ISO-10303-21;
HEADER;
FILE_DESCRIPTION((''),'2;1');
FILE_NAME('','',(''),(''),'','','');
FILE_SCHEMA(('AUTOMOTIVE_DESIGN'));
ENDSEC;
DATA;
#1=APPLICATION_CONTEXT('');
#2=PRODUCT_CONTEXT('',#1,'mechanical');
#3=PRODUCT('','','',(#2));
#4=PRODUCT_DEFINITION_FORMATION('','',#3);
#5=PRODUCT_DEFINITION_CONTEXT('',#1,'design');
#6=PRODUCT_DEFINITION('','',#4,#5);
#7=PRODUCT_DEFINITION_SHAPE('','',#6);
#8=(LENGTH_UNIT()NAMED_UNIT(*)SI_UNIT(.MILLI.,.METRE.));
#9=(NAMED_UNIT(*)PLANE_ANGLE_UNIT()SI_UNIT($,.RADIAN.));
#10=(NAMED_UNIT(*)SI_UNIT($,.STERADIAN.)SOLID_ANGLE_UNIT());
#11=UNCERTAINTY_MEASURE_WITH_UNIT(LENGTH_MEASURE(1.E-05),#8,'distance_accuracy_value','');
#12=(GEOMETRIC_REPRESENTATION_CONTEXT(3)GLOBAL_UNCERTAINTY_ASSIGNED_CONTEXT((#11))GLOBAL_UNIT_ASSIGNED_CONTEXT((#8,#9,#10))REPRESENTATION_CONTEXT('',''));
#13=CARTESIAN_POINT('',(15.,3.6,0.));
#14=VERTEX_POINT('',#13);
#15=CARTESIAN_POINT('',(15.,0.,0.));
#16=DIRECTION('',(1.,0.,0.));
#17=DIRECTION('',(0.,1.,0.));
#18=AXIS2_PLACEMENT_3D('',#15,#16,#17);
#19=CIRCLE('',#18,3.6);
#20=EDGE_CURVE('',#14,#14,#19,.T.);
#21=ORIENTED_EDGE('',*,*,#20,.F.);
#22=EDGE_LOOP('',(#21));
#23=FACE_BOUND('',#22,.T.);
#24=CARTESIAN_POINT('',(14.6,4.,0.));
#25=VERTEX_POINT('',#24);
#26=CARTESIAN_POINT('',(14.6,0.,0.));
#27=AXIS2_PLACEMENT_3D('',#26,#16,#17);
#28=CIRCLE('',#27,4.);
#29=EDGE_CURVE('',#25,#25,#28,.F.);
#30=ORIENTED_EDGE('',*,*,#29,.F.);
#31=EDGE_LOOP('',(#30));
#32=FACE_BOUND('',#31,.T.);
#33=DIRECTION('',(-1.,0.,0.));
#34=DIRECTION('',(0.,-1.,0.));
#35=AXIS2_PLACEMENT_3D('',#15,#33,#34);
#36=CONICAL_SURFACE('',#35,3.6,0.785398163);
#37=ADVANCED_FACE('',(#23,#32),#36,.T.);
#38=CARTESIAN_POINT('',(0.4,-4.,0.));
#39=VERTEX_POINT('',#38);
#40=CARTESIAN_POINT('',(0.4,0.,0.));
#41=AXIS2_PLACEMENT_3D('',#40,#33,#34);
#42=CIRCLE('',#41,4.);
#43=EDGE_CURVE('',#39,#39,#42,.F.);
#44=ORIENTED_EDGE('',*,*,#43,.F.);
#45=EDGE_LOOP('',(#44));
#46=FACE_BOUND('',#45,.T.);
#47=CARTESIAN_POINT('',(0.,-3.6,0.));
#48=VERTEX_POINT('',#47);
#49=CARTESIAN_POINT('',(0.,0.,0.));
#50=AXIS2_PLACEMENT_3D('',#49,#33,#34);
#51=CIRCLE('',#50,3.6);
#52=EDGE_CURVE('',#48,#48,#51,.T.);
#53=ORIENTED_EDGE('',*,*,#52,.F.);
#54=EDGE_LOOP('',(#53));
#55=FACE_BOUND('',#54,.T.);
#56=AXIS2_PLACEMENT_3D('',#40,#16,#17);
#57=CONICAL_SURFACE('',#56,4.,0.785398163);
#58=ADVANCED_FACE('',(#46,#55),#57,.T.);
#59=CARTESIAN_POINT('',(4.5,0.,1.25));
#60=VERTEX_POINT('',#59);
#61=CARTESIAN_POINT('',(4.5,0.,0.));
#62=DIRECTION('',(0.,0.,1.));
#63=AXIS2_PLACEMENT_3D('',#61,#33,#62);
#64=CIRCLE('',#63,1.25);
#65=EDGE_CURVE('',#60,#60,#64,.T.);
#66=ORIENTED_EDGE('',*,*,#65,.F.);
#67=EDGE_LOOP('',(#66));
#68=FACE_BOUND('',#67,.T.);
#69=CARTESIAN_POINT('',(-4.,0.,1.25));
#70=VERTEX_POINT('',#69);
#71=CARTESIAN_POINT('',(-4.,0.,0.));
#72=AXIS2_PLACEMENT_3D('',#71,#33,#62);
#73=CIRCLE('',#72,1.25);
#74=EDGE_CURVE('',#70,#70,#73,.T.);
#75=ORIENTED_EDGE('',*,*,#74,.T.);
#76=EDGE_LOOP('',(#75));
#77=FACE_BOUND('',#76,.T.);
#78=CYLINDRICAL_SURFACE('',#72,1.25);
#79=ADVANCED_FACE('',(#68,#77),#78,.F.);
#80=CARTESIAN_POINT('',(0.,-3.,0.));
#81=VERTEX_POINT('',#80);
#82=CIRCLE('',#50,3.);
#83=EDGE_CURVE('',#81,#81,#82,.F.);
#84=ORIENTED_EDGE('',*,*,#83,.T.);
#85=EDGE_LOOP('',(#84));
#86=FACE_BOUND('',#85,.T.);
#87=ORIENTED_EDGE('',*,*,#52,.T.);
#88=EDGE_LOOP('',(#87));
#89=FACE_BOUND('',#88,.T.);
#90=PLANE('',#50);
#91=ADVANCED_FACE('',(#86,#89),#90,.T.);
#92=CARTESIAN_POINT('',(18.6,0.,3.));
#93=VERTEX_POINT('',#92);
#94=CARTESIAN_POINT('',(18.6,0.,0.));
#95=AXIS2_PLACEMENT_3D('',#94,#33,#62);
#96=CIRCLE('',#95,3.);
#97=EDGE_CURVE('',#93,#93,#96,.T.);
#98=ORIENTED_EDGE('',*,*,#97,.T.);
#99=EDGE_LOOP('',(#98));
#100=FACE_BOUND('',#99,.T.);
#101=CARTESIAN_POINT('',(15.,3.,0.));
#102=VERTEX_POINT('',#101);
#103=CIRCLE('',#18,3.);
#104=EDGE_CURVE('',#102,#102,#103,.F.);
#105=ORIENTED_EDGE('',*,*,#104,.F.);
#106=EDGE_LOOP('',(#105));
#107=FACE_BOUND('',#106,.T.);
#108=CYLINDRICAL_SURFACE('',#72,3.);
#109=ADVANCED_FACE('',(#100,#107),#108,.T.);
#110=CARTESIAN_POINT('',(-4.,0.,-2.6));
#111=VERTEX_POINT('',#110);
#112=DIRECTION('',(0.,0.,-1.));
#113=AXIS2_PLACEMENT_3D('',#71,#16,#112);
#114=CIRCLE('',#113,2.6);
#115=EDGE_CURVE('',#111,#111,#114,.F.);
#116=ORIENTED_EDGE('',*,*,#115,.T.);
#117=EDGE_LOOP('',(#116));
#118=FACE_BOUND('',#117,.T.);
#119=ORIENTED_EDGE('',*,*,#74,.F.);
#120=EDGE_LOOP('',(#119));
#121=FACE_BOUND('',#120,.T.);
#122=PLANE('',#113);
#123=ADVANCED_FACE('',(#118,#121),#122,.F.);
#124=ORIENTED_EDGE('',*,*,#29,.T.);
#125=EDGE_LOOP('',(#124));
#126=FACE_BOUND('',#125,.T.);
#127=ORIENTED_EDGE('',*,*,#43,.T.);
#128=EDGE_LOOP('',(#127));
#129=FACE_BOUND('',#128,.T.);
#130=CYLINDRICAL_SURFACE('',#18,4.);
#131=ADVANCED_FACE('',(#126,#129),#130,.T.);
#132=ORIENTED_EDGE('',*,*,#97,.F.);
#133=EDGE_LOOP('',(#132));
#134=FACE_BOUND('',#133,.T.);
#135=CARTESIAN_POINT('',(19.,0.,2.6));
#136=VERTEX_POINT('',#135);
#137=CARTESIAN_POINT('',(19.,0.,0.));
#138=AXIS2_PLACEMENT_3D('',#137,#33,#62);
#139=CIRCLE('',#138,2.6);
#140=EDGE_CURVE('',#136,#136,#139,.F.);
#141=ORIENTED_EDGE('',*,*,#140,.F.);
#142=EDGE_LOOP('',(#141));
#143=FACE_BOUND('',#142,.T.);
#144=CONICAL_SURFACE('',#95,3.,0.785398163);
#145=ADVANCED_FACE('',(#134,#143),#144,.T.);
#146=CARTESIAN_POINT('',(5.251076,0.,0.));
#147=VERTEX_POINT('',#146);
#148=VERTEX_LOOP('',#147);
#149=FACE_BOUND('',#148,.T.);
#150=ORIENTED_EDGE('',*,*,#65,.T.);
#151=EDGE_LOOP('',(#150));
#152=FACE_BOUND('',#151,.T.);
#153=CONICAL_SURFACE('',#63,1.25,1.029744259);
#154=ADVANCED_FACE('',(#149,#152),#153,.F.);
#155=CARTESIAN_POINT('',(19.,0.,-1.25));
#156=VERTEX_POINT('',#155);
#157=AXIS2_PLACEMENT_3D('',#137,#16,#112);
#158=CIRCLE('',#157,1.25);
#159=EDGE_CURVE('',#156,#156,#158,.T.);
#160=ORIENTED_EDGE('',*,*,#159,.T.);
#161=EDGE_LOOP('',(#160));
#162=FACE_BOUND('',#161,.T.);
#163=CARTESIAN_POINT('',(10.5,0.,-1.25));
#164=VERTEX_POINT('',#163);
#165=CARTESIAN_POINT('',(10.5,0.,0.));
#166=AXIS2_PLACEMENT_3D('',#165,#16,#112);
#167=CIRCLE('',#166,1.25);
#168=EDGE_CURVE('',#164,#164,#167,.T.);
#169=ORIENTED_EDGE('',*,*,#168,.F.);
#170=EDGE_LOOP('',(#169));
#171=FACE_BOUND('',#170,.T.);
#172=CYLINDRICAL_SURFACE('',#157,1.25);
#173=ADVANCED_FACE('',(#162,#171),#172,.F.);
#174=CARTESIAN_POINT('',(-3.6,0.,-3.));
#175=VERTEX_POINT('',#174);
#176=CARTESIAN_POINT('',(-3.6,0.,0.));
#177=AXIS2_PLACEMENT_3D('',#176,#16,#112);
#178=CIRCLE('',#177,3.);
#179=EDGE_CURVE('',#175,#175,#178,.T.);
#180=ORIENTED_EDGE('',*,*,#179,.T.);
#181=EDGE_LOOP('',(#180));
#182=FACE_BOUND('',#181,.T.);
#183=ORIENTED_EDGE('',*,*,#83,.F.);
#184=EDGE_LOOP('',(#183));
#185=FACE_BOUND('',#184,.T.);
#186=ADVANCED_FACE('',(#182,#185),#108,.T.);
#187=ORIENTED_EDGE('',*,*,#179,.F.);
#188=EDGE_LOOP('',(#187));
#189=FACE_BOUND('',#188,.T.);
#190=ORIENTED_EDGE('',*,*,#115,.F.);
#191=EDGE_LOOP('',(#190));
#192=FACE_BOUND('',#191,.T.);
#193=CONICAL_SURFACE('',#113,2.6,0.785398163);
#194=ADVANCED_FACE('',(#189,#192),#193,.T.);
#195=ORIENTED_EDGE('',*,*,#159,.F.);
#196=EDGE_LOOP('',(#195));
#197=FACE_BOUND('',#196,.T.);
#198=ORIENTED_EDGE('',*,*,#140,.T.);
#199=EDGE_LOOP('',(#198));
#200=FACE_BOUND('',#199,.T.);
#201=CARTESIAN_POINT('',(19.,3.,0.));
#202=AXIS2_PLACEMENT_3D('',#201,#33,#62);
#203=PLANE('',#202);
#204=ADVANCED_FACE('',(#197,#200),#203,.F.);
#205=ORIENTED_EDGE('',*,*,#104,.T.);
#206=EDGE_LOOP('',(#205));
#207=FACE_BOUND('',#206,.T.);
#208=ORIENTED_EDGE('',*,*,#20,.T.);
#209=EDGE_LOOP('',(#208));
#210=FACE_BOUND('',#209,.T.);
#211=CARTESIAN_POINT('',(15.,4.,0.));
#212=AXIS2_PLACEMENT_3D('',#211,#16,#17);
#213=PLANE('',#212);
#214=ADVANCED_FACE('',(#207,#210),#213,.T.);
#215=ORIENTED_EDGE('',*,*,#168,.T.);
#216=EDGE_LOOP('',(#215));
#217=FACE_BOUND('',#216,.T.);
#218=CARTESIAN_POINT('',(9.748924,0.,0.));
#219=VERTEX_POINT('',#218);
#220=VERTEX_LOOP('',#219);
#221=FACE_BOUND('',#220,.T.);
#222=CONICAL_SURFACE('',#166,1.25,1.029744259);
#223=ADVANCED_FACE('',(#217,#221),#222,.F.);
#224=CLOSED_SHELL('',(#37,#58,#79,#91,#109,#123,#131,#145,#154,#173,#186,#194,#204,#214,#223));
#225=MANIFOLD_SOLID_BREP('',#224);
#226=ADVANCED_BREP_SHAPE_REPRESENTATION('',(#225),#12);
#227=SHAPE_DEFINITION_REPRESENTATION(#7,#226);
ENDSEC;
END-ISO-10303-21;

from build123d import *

# Parameters (mm, degrees)
SKETCH1_W          = 15
SKETCH1_H          = 4
CHAMFER1_SIZE      = 0.4
SKETCH2_W          = 23
SKETCH2_H          = 3
TAPPED_HOLE1_D     = 2.5
TAPPED_HOLE1_DEPTH = 8.5
TAPPED_HOLE1_TIP   = 0.751075774
TAPPED_HOLE2_D     = 2.5
TAPPED_HOLE2_DEPTH = 8.5
TAPPED_HOLE2_TIP   = 0.751075774
CHAMFER2_SIZE      = 0.4
CHAMFER3_SIZE      = 0.4


with BuildPart() as part:
    # Sketch1 → Revolve1 (revolve)
    with BuildSketch(Plane.XY):
        with Locations((7.5, 2)):
            Rectangle(SKETCH1_W, SKETCH1_H)
    revolve(axis=Axis((15, 0, 0), (-1, 0, 0)))

    # Chamfer1
    chamfer1_edges = [part.edges().sort_by_distance(p)[0] for p in [
        (15, -4, 0),
        (0, -4, 0),
    ]]
    chamfer(chamfer1_edges, length=CHAMFER1_SIZE)

    # Sketch2 → Revolve2 (revolve)
    with BuildSketch(Plane.XY, mode=Mode.PRIVATE) as revolve2_sk:
        with Locations((7.5, 1.5)):
            Rectangle(SKETCH2_W, SKETCH2_H)
    revolve(revolve2_sk.sketch.rotate(Axis((-4, 0, 0), (1, 0, 0)), 90), axis=Axis((-4, 0, 0), (1, 0, 0)))

    # Tapped Hole1
    with Locations(Plane(origin=(-4, 0, 0), x_dir=(0, 0, -1), z_dir=(-1, 0, 0))):
        with Locations((0, 0)):
            Hole(TAPPED_HOLE1_D / 2, depth=TAPPED_HOLE1_DEPTH)
            with Locations((0, 0, -(TAPPED_HOLE1_DEPTH + TAPPED_HOLE1_TIP / 2))):  # 118° drill point
                Cone(0, TAPPED_HOLE1_D / 2, TAPPED_HOLE1_TIP, mode=Mode.SUBTRACT)

    # Tapped Hole2
    with Locations(Plane(origin=(19, 1.854743126, 0.460903034), x_dir=(0, 0, -1), z_dir=(1, 0, 0))):
        with Locations((0.460903034, -1.854743126)):
            Hole(TAPPED_HOLE2_D / 2, depth=TAPPED_HOLE2_DEPTH)
            with Locations((0, 0, -(TAPPED_HOLE2_DEPTH + TAPPED_HOLE2_TIP / 2))):  # 118° drill point
                Cone(0, TAPPED_HOLE2_D / 2, TAPPED_HOLE2_TIP, mode=Mode.SUBTRACT)

    # Chamfer2
    chamfer2_edges = [part.edges().sort_by_distance(p)[0] for p in [
        (-4, 0, -3),
    ]]
    chamfer(chamfer2_edges, length=CHAMFER2_SIZE)

    # Chamfer3
    chamfer3_edges = [part.edges().sort_by_distance(p)[0] for p in [
        (19, 0, -3),
    ]]
    chamfer(chamfer3_edges, length=CHAMFER3_SIZE)


solid = part.part
